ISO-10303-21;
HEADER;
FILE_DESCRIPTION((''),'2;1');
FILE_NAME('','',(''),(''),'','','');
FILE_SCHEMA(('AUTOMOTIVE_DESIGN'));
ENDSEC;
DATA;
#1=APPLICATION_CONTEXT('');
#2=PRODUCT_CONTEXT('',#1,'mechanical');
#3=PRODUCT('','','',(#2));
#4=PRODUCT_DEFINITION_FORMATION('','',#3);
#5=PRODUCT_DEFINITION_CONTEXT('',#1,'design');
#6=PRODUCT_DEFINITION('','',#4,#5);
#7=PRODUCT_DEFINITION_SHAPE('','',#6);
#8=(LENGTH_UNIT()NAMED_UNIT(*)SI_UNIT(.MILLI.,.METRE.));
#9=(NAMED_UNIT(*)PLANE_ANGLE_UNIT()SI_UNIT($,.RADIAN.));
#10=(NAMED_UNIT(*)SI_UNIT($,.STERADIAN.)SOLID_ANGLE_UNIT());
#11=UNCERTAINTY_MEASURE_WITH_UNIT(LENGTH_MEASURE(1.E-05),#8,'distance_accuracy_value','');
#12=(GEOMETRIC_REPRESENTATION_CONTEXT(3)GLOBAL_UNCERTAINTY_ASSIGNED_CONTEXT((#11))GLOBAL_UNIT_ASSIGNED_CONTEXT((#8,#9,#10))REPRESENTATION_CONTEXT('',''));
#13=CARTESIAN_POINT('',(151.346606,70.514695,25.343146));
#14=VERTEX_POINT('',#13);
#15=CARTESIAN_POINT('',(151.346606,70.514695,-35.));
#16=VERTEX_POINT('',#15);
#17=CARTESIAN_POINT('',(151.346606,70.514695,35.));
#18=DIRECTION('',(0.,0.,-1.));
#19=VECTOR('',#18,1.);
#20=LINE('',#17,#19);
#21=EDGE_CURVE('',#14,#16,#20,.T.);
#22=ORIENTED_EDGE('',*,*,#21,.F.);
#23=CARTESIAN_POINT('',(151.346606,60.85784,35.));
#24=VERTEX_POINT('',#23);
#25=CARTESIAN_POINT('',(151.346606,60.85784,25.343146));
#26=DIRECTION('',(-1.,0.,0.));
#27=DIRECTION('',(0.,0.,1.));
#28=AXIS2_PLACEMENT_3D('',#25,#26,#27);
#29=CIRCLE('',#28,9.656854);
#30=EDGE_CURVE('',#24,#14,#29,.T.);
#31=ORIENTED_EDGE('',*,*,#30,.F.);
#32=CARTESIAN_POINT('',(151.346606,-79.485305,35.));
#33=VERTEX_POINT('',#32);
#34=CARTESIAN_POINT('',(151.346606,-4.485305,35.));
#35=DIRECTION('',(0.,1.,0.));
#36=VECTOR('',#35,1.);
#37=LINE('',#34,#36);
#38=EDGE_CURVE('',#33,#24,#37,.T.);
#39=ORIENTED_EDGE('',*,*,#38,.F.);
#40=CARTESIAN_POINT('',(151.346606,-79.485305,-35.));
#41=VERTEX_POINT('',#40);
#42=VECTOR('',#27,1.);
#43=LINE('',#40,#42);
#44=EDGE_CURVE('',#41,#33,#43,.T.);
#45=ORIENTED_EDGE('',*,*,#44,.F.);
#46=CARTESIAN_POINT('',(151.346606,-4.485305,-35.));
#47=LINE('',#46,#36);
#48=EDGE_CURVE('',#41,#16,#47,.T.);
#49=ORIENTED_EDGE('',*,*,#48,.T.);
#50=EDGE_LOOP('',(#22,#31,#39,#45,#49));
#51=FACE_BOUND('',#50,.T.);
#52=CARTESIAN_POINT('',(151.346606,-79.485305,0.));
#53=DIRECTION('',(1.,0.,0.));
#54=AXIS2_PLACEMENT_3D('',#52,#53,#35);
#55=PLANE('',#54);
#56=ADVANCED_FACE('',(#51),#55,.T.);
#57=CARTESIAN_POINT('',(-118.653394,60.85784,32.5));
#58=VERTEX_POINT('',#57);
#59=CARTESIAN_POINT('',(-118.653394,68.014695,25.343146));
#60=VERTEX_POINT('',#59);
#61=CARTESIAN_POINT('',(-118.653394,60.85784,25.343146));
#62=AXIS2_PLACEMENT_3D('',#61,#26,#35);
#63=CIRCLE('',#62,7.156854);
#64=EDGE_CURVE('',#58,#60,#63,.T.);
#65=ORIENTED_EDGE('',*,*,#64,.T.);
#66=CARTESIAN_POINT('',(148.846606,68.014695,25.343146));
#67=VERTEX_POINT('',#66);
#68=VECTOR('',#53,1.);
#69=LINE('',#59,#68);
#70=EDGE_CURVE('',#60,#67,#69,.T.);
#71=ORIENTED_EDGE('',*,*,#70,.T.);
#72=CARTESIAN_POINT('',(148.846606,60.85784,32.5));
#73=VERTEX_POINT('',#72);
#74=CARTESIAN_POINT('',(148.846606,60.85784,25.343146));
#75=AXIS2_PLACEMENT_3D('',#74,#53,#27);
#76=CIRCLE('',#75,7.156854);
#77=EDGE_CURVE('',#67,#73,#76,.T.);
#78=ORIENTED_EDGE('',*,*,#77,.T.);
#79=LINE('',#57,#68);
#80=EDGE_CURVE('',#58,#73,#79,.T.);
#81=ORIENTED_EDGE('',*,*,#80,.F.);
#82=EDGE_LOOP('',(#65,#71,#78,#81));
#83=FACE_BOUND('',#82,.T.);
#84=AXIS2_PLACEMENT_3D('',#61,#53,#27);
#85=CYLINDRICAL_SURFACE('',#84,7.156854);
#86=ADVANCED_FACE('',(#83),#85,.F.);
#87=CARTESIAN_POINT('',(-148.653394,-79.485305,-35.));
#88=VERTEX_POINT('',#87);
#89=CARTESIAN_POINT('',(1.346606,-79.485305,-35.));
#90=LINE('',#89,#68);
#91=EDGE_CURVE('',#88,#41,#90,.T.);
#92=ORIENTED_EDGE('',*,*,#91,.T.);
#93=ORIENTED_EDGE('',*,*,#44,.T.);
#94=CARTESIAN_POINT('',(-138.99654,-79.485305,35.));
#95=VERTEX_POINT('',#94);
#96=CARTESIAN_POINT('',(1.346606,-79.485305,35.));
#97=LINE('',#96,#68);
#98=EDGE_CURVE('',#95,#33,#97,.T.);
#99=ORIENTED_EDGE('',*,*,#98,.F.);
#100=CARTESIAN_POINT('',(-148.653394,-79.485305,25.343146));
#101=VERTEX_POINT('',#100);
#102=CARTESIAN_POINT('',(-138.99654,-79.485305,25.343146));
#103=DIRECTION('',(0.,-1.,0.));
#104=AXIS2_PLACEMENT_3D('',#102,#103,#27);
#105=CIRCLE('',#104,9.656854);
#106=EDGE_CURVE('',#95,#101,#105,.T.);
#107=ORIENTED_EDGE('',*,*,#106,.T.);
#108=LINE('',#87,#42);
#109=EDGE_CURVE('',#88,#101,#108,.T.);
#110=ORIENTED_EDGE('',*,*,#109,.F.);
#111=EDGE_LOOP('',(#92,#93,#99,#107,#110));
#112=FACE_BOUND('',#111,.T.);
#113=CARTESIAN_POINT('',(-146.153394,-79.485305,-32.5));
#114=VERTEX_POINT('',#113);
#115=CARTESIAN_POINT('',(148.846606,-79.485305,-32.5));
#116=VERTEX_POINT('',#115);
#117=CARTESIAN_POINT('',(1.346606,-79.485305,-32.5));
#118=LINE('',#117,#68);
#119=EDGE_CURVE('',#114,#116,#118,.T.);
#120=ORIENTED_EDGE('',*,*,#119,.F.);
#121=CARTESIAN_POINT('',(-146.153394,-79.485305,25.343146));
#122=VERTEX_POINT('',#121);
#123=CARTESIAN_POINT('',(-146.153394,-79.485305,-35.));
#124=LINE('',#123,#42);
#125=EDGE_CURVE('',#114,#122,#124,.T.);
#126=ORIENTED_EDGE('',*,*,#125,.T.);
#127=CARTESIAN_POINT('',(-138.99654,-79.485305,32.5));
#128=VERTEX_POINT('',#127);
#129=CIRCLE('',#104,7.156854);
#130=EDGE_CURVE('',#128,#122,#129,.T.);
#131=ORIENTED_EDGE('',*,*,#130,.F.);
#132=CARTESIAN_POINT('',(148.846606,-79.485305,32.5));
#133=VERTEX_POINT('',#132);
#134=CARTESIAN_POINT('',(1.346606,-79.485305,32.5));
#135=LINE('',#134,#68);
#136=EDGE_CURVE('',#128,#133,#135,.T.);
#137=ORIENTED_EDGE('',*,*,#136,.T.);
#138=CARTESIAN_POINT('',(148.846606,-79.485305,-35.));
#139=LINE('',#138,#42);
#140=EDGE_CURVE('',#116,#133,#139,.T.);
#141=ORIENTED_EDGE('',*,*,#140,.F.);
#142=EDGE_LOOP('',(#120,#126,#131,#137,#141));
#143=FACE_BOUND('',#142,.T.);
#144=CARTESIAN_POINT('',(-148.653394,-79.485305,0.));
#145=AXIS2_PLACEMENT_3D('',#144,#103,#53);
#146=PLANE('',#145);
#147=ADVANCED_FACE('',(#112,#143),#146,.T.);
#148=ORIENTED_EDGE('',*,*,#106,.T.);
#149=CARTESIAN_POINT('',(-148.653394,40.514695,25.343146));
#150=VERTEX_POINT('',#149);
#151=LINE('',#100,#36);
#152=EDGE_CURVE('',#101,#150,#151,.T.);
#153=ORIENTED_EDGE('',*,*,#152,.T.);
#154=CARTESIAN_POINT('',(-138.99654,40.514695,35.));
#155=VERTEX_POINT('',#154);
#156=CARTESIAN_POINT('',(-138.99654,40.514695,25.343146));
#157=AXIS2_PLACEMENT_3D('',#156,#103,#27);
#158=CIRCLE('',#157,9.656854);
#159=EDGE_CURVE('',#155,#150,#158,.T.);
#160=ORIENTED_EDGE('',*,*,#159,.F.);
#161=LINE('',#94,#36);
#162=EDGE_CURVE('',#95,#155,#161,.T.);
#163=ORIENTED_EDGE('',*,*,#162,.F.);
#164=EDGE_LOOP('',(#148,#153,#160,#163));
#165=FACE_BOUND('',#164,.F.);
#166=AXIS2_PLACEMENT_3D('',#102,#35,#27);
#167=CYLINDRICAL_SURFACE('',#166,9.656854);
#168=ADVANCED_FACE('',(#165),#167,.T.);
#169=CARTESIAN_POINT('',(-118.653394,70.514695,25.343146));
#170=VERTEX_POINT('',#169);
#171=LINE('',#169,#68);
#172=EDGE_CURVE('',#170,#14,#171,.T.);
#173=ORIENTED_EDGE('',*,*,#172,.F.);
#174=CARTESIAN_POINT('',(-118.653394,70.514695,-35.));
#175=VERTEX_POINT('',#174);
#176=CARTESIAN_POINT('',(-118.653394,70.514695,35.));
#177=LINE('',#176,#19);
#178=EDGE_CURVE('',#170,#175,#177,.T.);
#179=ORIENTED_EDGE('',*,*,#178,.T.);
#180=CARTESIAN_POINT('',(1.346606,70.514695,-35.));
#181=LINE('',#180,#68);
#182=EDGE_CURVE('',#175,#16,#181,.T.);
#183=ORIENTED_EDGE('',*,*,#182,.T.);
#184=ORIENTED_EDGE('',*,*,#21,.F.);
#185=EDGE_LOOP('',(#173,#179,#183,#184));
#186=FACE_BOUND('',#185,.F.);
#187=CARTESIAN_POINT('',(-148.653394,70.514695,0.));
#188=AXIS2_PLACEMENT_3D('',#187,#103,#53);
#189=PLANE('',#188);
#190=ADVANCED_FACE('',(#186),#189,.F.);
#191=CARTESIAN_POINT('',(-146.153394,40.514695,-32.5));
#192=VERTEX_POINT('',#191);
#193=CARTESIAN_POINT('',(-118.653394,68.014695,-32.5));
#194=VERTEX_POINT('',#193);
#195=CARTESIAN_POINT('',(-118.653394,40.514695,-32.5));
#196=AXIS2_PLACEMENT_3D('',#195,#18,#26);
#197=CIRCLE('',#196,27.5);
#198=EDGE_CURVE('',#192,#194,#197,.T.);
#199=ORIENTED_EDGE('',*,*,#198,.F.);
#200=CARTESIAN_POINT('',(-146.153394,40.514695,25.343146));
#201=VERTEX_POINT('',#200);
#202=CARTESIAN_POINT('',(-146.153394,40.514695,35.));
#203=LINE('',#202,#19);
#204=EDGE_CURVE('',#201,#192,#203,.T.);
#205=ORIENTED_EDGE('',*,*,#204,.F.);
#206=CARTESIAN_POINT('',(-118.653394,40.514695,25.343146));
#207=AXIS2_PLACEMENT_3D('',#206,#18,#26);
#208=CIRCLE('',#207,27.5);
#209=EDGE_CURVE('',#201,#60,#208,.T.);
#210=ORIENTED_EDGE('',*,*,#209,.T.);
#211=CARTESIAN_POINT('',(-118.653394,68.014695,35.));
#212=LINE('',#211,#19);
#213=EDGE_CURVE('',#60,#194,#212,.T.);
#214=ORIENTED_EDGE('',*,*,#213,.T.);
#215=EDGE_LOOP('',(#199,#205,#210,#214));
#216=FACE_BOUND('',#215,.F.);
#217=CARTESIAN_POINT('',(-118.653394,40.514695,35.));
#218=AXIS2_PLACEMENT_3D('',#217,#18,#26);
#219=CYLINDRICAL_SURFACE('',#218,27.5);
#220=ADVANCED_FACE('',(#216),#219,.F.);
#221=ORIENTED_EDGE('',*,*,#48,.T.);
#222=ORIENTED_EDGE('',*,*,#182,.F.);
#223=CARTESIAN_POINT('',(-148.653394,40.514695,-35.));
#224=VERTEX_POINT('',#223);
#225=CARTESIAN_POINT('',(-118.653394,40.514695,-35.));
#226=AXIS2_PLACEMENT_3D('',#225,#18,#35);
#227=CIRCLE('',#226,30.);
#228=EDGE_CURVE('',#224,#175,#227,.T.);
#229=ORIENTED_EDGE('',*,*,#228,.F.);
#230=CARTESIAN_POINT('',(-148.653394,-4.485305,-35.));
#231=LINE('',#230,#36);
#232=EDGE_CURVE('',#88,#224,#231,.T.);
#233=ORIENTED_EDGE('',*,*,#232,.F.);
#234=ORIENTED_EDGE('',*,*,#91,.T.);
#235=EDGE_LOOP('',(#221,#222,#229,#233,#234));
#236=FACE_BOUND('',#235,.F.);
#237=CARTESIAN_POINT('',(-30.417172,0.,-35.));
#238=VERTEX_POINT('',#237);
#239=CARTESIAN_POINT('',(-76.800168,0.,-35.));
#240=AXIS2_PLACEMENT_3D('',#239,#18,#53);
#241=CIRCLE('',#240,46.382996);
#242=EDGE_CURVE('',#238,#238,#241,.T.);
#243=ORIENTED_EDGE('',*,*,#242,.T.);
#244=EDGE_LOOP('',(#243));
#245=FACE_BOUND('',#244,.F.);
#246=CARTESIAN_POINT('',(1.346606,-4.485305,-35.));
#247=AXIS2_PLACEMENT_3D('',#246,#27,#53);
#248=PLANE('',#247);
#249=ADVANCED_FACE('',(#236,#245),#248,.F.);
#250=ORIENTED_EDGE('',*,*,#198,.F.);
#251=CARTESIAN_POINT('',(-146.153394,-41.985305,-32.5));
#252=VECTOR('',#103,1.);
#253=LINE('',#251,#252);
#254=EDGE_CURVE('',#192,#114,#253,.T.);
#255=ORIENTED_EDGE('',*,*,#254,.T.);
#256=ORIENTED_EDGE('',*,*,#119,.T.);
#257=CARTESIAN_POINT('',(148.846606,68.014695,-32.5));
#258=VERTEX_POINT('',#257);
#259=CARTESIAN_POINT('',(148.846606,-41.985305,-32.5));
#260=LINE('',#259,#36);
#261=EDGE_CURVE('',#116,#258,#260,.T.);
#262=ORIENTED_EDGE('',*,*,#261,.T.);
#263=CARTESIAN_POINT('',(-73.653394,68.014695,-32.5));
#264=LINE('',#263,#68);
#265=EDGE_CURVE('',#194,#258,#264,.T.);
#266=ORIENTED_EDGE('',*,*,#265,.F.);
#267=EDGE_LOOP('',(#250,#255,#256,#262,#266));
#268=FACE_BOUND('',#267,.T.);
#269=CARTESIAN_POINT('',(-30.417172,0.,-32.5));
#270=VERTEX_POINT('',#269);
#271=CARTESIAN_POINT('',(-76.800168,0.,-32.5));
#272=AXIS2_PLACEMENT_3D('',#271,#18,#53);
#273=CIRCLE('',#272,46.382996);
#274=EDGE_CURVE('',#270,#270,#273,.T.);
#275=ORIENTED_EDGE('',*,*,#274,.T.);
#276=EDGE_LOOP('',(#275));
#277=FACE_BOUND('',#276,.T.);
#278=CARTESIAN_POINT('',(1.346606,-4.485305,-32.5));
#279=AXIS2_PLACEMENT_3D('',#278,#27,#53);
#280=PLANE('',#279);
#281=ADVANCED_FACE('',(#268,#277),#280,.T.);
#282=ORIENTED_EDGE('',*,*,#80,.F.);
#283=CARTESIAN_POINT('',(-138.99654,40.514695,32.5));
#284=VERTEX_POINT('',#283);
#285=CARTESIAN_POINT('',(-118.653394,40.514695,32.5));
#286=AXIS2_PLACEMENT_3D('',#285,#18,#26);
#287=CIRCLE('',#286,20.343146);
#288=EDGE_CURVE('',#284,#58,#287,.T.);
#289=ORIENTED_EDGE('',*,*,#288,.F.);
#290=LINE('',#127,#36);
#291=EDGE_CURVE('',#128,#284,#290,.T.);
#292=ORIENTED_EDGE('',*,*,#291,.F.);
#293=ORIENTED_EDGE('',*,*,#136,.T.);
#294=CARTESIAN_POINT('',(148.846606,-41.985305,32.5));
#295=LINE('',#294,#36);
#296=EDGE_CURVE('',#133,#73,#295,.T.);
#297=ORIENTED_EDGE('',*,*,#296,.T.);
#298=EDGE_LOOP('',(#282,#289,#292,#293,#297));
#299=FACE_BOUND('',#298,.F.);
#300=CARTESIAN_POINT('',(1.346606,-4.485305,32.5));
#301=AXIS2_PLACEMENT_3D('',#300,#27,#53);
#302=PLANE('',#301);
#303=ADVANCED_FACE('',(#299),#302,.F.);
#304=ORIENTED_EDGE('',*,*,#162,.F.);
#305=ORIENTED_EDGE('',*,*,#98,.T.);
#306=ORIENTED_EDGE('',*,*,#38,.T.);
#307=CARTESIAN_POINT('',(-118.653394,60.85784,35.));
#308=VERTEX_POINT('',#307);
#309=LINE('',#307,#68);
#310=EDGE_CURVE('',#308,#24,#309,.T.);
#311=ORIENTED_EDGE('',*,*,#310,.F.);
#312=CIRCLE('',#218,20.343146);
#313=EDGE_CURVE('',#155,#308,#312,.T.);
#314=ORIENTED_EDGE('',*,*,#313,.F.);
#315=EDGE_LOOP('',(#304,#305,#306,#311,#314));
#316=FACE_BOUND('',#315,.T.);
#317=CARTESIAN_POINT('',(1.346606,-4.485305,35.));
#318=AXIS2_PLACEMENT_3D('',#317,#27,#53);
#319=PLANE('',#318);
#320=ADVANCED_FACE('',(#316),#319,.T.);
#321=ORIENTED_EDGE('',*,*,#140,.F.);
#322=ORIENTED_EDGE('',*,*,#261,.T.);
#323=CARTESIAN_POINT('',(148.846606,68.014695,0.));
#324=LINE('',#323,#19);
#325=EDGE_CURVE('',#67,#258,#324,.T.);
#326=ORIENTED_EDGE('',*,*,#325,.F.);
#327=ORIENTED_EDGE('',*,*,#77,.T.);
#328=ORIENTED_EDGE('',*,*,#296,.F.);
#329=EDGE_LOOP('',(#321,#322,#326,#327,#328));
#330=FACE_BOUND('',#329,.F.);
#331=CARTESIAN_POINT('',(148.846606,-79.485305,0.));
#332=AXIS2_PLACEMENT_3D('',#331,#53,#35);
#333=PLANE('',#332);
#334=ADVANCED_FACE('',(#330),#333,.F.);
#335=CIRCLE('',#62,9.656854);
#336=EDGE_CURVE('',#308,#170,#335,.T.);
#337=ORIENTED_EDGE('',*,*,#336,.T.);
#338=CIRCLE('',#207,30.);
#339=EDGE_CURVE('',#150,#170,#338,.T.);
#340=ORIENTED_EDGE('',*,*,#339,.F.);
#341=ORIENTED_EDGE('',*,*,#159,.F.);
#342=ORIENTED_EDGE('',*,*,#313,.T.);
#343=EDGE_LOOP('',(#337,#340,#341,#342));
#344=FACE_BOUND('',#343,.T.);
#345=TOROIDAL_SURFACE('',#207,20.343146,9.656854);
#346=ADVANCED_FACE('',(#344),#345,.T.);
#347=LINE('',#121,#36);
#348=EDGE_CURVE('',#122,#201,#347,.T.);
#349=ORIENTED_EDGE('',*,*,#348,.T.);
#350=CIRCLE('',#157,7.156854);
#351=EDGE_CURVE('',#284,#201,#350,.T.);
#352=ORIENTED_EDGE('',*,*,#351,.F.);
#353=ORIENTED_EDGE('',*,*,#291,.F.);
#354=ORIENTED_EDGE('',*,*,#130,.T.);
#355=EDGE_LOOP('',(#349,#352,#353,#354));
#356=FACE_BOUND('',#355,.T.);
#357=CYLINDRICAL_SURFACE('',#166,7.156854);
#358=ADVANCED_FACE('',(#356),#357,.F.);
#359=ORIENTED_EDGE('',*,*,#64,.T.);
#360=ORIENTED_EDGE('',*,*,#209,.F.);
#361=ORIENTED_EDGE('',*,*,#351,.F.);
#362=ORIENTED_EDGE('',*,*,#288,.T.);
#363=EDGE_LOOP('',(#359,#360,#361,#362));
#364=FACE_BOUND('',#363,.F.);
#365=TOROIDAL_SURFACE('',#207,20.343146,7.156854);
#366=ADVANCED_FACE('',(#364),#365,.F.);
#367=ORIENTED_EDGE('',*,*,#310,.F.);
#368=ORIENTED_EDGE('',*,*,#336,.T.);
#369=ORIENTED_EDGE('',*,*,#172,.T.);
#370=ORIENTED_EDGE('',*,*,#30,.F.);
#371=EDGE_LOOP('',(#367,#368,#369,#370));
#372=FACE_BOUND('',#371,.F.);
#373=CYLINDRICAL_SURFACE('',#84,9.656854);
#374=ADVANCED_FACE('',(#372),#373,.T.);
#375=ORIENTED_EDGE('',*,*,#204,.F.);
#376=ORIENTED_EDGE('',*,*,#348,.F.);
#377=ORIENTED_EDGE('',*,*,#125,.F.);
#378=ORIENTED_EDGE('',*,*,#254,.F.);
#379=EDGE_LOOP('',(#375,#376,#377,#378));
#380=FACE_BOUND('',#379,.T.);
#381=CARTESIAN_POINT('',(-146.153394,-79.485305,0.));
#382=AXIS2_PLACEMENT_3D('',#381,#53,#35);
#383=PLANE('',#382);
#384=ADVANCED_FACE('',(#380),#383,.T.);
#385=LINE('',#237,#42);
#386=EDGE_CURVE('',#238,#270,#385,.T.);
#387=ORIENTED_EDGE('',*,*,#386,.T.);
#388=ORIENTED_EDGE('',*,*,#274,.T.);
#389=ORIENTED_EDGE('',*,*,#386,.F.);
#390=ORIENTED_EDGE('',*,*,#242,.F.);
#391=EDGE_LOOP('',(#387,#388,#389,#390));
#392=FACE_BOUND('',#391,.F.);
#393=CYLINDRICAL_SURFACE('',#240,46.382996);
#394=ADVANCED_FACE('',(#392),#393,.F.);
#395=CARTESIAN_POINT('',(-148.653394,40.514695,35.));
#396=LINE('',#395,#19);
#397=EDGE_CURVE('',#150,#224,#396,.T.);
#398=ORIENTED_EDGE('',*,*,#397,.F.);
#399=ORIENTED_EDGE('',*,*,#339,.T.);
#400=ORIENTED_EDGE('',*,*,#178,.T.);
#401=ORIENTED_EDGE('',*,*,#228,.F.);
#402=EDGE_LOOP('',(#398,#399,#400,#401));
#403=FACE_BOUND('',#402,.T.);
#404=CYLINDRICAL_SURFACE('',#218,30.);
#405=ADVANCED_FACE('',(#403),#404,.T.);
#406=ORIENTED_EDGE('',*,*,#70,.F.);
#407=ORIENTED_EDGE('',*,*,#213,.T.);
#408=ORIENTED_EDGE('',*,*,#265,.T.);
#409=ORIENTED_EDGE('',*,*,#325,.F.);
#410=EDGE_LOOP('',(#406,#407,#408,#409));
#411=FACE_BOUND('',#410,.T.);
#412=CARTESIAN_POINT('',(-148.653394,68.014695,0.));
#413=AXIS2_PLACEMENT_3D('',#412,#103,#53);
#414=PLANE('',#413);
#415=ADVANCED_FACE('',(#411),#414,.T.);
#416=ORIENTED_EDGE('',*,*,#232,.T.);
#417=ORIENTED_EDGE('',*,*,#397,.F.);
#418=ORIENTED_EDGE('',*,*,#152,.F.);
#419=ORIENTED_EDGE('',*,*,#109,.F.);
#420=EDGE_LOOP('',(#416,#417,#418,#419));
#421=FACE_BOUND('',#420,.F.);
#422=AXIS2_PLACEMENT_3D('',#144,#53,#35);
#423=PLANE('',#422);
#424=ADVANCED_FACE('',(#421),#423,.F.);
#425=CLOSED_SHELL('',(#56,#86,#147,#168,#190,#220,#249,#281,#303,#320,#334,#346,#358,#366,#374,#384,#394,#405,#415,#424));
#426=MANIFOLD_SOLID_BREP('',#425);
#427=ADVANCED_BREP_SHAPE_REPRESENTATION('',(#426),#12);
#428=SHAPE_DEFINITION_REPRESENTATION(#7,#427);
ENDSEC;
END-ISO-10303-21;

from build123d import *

# Parameters (mm, degrees)
F0_W     = 300
F0_H     = 150
F1_DEPTH = 35
F2_R     = 30
F3_R     = 9.6568542495
F4_T     = -2.5
F5_R     = 46.3829958517
F6_DEPTH = 14


with BuildPart() as f1:
    # F0 (on Top) → F1 (new body, symmetric)
    with BuildSketch(Plane.XY):
        with Locations((1.3466058194, -4.4853053987)):
            Rectangle(F0_W, F0_H)
    extrude(amount=F1_DEPTH, both=True)

    # F2
    f2_edges = [f1.edges().sort_by_distance(p)[0] for p in [
        (-148.653394, 70.514695, 0),
    ]]
    fillet(f2_edges, radius=F2_R)

    # F3
    f3_edges = [f1.edges().sort_by_distance(p)[0] for p in [
        (16.346606, 70.514695, 35),
    ]]
    fillet(f3_edges, radius=F3_R)

    # F4
    f4_openings = [f1.faces().sort_by_distance(p)[0] for p in [
        (1.487632, -79.485305, -0.031329),
    ]]
    offset(amount=F4_T, openings=f4_openings)

    # F5 (on face) → F6 (cut)
    with BuildSketch(Plane(origin=(0, 0, -35), x_dir=(1, 0, 0), z_dir=(0, 0, -1))):
        with Locations((-76.8001675606, 0)):
            Circle(F5_R)
    extrude(amount=-F6_DEPTH, mode=Mode.SUBTRACT)


solid = f1.part
